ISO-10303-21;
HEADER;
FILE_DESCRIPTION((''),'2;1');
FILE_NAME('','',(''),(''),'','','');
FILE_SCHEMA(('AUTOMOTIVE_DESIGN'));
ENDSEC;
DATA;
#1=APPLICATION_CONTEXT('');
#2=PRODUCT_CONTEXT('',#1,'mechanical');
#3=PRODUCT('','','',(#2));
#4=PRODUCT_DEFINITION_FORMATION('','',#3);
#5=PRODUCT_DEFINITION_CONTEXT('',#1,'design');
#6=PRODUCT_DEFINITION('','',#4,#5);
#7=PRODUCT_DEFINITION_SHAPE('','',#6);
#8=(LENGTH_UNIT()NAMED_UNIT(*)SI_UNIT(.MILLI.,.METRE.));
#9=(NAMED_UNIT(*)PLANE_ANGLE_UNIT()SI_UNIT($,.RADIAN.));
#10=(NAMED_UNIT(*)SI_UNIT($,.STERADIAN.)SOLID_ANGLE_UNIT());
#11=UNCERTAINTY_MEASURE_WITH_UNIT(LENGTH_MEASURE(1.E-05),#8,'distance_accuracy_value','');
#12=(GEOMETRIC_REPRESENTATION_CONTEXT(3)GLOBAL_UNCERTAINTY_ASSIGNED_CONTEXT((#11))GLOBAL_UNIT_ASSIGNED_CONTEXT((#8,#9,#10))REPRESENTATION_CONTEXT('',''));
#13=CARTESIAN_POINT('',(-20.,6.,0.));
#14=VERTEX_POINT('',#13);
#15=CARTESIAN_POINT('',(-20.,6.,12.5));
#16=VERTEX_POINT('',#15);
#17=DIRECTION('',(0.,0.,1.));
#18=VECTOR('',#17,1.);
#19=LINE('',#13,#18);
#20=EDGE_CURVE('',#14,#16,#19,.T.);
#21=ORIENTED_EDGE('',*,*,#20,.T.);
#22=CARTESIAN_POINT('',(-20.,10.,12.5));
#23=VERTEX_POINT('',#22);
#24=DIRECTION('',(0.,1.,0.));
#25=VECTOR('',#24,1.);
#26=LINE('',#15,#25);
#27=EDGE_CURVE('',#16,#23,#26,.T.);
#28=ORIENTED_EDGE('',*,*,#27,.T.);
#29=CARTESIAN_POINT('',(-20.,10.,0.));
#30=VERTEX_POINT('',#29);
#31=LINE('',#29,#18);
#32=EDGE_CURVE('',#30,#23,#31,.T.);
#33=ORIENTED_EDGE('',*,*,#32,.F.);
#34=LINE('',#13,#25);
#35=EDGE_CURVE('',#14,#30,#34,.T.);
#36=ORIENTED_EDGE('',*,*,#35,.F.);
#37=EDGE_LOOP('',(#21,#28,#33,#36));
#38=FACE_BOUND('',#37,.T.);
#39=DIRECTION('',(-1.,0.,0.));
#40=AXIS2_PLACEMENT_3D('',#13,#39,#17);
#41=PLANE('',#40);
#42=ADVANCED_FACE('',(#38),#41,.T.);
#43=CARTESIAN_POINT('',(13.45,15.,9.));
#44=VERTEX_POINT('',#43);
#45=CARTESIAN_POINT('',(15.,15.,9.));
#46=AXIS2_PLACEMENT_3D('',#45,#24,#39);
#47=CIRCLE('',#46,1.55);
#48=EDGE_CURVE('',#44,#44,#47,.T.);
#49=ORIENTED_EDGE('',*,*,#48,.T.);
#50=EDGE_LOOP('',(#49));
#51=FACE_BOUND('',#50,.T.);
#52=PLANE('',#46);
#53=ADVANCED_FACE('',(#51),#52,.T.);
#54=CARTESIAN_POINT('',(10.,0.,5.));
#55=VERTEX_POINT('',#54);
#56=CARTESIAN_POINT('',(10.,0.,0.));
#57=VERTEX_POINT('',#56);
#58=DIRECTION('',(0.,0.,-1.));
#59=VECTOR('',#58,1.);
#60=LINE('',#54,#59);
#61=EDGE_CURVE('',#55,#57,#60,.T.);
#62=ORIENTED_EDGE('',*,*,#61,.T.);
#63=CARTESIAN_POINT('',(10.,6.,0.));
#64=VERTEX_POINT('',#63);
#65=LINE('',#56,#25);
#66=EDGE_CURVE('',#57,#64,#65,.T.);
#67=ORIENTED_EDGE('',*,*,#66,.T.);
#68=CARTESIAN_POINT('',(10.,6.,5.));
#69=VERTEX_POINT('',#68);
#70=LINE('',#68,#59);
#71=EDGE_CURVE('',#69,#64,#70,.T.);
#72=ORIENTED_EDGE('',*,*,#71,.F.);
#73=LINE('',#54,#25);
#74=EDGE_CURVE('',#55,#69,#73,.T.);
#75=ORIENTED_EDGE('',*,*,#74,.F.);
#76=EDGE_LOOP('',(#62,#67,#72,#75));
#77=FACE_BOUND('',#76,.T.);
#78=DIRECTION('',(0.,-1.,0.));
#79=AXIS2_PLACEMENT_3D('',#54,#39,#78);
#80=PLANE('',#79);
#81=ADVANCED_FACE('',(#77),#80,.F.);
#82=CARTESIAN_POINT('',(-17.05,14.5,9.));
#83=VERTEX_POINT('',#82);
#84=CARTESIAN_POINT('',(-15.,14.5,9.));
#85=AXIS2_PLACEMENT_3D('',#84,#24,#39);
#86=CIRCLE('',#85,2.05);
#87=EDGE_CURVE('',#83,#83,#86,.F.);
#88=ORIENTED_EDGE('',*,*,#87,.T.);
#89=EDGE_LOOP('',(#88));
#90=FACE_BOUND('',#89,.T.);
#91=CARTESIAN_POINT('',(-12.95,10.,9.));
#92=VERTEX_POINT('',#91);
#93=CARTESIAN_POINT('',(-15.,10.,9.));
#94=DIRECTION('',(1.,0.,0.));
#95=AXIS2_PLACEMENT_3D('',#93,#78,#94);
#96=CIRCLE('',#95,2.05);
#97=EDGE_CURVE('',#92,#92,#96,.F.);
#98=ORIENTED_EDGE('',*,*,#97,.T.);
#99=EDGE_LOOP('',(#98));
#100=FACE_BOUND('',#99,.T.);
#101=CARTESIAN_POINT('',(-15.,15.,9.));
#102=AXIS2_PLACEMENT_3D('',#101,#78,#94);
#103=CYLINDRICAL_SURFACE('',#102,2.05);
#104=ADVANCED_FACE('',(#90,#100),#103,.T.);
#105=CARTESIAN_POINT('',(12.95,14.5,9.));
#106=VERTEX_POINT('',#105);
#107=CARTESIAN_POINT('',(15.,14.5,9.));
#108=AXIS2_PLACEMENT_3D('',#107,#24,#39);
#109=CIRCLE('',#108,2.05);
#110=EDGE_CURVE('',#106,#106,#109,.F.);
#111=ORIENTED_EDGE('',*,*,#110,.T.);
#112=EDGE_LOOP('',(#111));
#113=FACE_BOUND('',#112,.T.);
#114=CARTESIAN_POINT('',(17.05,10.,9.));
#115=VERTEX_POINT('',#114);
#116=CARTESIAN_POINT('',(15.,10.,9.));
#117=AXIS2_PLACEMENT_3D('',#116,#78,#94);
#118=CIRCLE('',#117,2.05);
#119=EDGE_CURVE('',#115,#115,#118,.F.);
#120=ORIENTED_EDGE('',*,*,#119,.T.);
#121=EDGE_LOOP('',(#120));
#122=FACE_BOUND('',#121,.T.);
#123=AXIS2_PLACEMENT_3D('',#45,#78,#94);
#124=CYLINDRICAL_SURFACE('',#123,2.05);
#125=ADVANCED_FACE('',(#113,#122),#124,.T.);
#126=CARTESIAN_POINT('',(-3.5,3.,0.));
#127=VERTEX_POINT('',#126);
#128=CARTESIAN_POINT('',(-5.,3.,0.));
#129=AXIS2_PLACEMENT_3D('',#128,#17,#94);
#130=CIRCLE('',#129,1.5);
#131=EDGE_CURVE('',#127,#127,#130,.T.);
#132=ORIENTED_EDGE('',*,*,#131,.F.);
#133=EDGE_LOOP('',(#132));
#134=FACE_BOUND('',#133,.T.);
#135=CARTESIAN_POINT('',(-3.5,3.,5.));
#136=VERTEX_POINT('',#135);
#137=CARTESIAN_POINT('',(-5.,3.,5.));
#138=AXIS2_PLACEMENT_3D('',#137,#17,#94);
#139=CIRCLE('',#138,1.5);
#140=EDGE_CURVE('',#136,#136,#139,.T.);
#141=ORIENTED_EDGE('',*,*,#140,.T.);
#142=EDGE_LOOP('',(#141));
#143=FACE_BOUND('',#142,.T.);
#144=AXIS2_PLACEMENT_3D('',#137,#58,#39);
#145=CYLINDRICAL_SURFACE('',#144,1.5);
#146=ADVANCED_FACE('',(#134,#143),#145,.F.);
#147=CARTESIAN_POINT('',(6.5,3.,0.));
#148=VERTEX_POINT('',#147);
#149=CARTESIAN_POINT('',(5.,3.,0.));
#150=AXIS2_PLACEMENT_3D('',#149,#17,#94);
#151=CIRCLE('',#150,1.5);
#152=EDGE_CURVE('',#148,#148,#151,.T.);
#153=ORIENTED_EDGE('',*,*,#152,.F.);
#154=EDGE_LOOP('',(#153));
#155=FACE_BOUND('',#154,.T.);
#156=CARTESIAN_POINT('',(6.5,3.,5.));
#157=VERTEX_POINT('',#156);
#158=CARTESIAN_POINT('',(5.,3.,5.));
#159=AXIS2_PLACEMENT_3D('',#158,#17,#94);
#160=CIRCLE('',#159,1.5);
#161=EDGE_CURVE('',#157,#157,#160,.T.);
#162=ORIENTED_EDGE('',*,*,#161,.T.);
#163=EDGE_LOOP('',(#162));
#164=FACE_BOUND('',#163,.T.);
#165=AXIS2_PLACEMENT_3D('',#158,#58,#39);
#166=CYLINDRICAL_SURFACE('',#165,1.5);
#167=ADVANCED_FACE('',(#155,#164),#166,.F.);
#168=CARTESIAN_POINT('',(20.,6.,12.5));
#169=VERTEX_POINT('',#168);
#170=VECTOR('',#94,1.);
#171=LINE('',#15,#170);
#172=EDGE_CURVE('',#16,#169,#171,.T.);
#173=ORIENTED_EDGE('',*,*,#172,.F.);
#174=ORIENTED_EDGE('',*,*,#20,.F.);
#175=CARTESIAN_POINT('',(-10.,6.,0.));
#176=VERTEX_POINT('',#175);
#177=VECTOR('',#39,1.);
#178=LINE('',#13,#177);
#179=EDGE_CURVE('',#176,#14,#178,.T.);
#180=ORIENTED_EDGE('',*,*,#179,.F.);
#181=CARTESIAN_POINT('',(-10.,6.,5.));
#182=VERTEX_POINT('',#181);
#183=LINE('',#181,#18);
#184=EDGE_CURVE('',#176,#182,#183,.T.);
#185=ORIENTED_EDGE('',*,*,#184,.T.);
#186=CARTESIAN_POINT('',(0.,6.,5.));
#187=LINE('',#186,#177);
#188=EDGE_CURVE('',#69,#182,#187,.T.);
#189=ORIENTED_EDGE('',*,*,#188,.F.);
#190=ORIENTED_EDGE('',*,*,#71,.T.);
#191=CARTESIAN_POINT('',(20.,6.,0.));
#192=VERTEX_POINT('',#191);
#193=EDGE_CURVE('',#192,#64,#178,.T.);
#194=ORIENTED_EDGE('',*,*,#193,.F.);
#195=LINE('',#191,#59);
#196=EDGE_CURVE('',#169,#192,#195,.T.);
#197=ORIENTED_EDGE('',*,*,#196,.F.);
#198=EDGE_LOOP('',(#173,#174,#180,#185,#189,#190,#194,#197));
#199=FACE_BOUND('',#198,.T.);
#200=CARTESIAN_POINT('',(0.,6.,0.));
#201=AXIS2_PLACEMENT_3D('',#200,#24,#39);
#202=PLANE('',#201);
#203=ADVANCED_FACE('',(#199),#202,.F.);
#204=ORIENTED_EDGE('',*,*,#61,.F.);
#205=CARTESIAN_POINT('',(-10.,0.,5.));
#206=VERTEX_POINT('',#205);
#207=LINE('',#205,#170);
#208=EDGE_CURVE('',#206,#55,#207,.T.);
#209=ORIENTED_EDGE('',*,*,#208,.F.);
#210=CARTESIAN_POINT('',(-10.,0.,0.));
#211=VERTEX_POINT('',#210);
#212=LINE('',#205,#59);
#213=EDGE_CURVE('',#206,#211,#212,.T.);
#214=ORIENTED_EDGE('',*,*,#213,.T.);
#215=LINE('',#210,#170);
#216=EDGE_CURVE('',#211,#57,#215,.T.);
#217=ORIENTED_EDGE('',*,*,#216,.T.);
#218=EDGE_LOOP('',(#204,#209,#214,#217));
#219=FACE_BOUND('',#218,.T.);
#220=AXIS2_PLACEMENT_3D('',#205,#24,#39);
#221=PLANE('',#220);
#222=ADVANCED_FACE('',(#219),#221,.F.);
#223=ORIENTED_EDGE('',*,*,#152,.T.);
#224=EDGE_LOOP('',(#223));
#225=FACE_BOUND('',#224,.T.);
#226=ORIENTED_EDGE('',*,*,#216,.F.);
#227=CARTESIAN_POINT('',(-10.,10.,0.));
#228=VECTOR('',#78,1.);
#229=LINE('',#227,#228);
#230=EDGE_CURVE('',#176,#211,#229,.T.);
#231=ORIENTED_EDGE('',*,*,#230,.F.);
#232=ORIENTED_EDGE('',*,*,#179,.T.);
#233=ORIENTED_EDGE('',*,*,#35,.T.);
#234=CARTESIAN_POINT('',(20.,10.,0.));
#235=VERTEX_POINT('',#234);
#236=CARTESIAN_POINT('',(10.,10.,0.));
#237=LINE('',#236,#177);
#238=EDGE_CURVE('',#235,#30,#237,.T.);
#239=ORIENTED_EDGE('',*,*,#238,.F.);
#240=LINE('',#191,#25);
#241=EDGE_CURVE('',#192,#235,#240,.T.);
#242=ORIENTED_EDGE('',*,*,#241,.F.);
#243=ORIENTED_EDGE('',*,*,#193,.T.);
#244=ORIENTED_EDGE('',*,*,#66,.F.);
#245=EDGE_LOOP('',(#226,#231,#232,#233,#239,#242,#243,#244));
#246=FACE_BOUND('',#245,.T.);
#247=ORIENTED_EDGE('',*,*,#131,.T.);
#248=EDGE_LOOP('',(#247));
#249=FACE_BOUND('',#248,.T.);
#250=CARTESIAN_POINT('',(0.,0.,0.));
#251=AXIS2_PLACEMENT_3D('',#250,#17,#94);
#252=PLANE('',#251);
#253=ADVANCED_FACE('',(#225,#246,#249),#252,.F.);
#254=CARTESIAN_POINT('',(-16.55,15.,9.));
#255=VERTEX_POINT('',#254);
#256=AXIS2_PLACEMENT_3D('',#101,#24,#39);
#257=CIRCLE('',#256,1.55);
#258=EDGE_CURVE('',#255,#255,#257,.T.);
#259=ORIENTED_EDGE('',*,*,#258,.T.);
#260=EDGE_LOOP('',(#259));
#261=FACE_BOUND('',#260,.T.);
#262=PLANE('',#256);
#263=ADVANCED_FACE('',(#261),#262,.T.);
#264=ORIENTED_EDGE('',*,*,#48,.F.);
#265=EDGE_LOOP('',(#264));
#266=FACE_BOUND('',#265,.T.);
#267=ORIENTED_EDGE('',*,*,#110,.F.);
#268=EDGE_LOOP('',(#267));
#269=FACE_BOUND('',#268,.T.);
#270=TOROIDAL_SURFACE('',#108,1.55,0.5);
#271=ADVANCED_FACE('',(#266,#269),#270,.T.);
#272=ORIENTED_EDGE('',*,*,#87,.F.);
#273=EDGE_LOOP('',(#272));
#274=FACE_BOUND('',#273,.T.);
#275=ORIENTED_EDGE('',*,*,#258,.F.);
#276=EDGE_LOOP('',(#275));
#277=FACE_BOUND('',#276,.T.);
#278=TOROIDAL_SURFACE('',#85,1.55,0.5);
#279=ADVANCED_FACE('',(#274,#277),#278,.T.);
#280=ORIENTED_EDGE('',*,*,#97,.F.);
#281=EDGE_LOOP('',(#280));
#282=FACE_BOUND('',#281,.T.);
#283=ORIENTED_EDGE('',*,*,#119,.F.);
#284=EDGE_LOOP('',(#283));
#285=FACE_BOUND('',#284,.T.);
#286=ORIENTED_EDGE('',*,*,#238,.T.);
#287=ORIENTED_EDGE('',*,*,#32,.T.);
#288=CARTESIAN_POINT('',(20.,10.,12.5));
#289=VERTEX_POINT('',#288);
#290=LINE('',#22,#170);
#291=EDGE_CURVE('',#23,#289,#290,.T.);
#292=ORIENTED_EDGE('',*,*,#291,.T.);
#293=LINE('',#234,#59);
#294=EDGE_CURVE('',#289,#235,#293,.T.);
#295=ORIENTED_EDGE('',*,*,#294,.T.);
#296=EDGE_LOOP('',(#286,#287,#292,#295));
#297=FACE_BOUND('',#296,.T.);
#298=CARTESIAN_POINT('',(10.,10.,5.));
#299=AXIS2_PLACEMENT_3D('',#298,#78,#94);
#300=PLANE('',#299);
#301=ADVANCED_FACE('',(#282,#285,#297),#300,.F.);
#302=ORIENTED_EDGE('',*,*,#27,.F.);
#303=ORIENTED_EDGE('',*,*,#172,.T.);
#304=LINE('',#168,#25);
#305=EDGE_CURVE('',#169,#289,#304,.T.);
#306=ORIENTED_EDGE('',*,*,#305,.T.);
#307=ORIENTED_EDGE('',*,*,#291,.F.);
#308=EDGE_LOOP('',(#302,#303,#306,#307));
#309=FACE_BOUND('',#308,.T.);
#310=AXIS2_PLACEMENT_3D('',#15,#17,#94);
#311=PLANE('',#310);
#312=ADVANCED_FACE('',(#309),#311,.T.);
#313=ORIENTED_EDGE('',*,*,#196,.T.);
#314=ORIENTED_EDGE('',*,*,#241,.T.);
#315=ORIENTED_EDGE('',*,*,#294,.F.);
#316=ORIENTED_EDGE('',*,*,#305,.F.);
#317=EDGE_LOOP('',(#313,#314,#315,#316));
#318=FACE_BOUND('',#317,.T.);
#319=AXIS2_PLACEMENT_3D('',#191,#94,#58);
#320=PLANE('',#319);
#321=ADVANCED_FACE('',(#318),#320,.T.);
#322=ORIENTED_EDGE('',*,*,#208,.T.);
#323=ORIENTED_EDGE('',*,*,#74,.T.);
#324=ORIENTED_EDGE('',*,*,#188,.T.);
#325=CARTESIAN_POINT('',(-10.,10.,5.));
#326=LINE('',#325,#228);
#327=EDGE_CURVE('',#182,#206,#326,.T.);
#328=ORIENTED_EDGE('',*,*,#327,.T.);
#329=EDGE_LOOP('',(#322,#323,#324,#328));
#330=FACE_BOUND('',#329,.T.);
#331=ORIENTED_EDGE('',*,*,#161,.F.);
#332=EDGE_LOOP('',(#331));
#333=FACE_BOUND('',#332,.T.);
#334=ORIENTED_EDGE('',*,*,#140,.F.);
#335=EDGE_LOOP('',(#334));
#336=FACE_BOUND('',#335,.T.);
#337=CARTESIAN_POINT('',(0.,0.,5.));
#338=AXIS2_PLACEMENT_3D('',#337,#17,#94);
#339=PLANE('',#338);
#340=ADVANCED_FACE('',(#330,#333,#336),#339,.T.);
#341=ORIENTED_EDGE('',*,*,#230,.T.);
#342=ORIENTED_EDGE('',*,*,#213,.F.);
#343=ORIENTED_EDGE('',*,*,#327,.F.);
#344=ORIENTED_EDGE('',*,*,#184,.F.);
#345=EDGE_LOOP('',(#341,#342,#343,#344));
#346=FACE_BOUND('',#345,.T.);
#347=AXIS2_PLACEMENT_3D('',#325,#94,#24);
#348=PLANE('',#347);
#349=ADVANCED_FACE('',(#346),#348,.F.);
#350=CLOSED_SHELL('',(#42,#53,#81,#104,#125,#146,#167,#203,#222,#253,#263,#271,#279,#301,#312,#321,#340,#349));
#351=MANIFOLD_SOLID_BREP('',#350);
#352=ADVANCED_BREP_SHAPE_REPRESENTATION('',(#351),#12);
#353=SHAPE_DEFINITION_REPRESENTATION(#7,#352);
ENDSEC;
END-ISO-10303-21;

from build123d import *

# Parameters (mm, degrees)
SKETCH_1_W      = 20
SKETCH_1_H      = 10
SKETCH_1_R      = 1.5
EXTRUDE_1_DEPTH = 5
SKETCH_2_W      = 40
SKETCH_2_H      = 12.5
EXTRUDE_2_DEPTH = 4
SKETCH_3_R      = 2.05
EXTRUDE_3_DEPTH = 5
FILLET_1_R      = 0.5


with BuildPart() as part:
    # 草图1 → 凸台-拉伸1 (new body)
    with BuildSketch(Plane.XY):
        with Locations((0, 5)):
            Rectangle(SKETCH_1_W, SKETCH_1_H)
        with Locations((-5, 3)):
            Circle(SKETCH_1_R, mode=Mode.SUBTRACT)
        with Locations((5, 3)):
            Circle(SKETCH_1_R, mode=Mode.SUBTRACT)
    extrude(amount=EXTRUDE_1_DEPTH)

    # 草图2 → 凸台-拉伸2 (add)
    with BuildSketch(Plane(origin=(0, 10, 0), x_dir=(1, 0, 0), z_dir=(0, 1, 0))):
        with Locations((0, -6.25)):
            Rectangle(SKETCH_2_W, SKETCH_2_H)
    extrude(amount=-EXTRUDE_2_DEPTH)

    # 草图3 → 凸台-拉伸3 (add)
    with BuildSketch(Plane(origin=(0, 10, 0), x_dir=(1, 0, 0), z_dir=(0, 1, 0))):
        with Locations((-15, -9)):
            Circle(SKETCH_3_R)
        with Locations((15, -9)):
            Circle(SKETCH_3_R)
    extrude(amount=EXTRUDE_3_DEPTH)

    # 圆角1
    fillet_1_edges = [part.edges().sort_by_distance(p)[0] for p in [
        (-17.05, 15, 9),
        (12.95, 15, 9),
    ]]
    fillet(fillet_1_edges, radius=FILLET_1_R)


solid = part.part
